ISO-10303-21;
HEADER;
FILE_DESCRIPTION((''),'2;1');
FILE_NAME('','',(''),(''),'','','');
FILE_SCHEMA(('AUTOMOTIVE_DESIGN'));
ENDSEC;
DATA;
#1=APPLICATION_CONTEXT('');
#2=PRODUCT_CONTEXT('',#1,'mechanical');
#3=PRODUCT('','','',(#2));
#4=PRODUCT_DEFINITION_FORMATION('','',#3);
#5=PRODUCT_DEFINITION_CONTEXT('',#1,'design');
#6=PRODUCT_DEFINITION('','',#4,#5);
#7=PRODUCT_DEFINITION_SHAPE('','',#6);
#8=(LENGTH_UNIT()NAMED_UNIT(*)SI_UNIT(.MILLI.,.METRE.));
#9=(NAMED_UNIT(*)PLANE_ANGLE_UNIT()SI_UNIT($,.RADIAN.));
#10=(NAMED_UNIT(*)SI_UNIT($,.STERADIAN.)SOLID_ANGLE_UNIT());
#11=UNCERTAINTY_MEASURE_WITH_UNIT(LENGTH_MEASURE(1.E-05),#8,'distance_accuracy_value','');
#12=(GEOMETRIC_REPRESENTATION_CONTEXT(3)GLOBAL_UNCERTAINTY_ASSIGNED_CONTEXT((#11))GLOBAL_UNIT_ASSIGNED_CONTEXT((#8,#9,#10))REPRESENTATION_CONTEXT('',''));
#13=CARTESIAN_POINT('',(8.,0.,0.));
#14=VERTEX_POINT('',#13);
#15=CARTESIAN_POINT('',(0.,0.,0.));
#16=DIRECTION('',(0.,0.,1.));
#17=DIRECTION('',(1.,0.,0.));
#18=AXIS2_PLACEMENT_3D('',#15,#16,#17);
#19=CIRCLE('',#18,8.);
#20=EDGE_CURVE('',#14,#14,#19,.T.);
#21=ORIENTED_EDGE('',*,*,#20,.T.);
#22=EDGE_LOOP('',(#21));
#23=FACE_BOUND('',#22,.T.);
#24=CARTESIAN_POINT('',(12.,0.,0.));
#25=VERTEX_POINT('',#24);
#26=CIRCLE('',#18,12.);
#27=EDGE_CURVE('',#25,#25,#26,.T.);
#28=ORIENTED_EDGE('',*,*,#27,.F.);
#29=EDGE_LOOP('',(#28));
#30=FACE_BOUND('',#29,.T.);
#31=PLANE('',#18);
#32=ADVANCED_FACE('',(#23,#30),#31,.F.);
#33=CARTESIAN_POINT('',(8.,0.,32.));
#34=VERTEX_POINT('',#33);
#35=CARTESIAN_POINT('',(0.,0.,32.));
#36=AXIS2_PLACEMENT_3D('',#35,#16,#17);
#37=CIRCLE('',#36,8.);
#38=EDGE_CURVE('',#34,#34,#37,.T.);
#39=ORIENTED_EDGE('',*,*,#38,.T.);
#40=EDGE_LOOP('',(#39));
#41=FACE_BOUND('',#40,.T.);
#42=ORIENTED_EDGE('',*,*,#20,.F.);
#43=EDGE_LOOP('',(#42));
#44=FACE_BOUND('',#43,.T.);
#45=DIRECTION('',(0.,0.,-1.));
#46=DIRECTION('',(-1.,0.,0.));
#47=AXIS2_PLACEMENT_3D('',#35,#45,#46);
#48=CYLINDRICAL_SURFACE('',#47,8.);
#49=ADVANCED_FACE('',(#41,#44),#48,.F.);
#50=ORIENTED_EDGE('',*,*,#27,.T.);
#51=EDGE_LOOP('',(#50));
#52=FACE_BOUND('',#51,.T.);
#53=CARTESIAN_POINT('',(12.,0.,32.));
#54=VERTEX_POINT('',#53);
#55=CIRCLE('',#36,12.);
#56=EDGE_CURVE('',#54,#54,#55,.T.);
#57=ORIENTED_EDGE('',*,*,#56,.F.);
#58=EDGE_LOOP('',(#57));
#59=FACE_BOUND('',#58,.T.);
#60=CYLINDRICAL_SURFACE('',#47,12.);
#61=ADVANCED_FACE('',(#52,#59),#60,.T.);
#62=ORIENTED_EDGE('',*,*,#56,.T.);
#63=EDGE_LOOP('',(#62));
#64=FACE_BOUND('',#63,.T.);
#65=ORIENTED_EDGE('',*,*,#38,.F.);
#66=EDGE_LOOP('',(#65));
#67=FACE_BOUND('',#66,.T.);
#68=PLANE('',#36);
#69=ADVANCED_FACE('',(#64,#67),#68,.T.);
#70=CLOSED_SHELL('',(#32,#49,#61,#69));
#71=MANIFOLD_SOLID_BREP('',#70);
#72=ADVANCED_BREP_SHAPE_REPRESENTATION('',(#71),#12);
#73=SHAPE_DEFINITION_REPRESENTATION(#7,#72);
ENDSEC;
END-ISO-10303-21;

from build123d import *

# Parameters (mm, degrees)
ESQUISSE1_R          = 12
ESQUISSE1_R_2        = 8
BASE_EXTRUSION_DEPTH = 32


with BuildPart() as part:
    # Esquisse1 → Base-Extrusion (new body)
    with BuildSketch(Plane.XY):
        Circle(ESQUISSE1_R)
        Circle(ESQUISSE1_R_2, mode=Mode.SUBTRACT)
    extrude(amount=BASE_EXTRUSION_DEPTH)


solid = part.part
